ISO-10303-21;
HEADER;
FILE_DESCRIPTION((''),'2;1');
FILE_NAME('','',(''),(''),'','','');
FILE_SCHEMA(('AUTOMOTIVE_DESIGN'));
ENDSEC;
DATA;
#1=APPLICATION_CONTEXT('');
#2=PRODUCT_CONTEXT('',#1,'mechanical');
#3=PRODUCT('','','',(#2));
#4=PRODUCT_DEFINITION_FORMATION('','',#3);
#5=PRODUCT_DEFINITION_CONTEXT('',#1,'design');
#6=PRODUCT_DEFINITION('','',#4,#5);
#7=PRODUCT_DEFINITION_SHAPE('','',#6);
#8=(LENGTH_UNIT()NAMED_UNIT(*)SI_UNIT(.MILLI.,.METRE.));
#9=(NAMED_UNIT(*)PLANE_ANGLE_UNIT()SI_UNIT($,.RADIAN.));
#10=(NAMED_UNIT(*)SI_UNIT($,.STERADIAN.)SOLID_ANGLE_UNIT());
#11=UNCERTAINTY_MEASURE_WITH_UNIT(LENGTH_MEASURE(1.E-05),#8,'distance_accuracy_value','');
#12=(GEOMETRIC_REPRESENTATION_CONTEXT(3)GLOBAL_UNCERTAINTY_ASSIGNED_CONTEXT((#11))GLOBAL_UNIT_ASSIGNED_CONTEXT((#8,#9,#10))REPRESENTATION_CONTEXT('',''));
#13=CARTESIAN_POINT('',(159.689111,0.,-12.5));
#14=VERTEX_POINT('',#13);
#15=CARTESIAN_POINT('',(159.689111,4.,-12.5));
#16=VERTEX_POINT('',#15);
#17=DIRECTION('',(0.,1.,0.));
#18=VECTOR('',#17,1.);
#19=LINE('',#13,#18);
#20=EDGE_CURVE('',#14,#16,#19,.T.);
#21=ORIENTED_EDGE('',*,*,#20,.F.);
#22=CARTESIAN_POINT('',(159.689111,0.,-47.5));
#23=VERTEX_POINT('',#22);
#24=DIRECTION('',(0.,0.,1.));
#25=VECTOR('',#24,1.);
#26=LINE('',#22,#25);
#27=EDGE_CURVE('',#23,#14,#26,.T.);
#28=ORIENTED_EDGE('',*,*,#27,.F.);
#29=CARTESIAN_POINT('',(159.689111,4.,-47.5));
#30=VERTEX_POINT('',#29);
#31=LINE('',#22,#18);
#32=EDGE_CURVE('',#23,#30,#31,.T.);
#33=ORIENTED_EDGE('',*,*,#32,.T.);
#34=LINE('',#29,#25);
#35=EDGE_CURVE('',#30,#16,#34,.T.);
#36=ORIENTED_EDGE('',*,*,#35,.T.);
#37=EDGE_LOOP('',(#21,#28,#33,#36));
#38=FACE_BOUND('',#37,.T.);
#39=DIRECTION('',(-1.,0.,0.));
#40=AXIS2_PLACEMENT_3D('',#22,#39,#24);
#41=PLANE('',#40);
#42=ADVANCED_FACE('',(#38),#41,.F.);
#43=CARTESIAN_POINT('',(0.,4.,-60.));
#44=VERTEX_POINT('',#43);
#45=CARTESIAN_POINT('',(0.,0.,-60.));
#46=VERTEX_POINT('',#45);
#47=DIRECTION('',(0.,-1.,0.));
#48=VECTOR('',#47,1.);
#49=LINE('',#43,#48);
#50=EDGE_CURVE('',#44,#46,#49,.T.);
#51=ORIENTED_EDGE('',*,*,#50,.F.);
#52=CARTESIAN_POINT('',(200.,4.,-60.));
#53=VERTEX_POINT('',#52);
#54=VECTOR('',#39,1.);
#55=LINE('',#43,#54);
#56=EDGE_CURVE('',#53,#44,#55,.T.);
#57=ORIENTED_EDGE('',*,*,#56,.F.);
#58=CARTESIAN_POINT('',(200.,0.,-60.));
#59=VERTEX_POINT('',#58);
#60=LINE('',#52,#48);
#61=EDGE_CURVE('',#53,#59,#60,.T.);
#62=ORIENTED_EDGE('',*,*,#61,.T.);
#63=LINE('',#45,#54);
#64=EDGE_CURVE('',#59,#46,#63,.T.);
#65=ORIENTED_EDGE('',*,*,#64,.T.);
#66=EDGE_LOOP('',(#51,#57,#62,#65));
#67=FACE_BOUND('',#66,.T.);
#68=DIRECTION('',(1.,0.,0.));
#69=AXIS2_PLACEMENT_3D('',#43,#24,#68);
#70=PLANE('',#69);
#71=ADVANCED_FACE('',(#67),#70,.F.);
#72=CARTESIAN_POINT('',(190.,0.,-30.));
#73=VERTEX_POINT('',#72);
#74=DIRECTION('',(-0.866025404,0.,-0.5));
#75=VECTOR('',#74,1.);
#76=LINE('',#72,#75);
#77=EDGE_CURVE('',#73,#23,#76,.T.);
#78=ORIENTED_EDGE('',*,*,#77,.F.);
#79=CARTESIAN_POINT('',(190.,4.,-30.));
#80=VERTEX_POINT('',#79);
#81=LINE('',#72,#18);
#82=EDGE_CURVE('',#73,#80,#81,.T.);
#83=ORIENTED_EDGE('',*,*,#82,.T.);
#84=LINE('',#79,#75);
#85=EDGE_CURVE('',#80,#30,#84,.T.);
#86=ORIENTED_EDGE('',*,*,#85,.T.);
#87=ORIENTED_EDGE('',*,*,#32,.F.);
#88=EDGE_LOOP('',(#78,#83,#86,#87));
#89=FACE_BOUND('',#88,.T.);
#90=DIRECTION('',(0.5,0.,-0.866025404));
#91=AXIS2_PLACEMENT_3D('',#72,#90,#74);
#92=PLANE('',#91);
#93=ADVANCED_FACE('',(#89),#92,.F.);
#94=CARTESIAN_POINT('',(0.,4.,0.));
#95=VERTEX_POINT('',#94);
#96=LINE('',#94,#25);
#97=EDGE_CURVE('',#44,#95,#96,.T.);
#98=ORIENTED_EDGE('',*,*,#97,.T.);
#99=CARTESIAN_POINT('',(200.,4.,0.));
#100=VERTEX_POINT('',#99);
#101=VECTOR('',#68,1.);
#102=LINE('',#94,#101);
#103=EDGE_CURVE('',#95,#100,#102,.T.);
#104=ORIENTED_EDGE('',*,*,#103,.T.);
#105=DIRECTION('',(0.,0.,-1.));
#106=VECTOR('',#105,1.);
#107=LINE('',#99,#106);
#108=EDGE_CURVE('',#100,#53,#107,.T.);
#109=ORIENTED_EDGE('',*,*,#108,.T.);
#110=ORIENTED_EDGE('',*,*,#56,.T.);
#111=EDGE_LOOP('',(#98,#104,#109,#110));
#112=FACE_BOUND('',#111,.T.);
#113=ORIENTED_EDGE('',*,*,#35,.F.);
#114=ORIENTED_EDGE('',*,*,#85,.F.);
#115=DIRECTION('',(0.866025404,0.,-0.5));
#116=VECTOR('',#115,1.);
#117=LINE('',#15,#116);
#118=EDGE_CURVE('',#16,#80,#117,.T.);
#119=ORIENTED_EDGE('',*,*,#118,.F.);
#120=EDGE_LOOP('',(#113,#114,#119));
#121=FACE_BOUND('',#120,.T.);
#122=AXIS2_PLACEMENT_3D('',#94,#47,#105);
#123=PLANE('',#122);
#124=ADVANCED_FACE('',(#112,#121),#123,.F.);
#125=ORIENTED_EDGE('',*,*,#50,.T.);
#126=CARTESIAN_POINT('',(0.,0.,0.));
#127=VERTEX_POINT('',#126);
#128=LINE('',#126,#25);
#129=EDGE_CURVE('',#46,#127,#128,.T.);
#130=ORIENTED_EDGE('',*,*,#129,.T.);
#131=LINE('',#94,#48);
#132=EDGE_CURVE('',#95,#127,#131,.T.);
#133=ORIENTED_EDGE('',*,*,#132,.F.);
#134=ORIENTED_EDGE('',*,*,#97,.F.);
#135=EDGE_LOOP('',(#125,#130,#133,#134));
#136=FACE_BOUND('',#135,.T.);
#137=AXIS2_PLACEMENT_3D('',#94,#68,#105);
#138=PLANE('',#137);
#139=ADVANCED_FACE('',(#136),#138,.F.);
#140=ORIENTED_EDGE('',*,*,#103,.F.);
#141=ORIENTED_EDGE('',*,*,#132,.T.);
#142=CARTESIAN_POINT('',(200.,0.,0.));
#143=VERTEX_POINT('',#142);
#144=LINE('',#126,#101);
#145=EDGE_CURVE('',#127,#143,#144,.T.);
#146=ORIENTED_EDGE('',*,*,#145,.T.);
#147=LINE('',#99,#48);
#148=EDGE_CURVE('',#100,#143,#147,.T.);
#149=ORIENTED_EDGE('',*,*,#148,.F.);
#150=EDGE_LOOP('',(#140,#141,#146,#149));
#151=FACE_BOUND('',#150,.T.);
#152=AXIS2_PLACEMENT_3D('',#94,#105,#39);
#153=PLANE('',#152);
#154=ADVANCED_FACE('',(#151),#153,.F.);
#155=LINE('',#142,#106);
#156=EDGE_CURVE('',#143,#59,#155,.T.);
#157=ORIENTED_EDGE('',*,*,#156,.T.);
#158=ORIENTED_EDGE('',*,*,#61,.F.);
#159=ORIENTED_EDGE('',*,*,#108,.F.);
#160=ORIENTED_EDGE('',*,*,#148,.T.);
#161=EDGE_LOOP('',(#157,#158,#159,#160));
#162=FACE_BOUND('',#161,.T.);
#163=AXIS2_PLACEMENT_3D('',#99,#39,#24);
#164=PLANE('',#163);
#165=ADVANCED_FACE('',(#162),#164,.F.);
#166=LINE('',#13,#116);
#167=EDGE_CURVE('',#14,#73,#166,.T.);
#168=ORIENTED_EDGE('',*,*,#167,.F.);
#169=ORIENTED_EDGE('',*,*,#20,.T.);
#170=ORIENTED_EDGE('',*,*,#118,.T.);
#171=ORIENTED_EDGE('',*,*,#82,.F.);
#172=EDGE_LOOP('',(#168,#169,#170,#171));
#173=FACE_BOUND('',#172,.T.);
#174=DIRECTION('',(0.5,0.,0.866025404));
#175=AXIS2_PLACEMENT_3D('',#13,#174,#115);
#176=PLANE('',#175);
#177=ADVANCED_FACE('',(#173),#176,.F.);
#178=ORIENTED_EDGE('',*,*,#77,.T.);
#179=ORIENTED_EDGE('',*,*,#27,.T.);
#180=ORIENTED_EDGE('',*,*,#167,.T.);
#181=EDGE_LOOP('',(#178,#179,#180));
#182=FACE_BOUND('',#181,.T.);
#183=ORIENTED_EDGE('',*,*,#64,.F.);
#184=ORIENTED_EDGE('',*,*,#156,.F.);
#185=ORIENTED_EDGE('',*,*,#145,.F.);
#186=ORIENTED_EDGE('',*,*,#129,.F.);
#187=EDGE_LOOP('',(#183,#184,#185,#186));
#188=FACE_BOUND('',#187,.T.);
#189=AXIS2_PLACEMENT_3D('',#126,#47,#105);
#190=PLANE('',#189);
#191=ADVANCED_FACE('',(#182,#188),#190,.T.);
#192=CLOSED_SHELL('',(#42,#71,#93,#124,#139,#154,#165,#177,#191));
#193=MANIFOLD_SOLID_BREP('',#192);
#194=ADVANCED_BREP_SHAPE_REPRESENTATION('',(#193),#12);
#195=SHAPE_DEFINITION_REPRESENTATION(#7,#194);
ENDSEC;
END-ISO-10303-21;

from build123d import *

# Parameters (mm, degrees)
SKETCH1_W           = 200
SKETCH1_H           = 60
BOSS_EXTRUDE1_DEPTH = 4
CUT_EXTRUDE1_DEPTH  = 5


with BuildPart() as part:
    # Sketch1 → Boss-Extrude1 (new body)
    with BuildSketch(Plane(origin=(0, 0, 0), x_dir=(1, 0, 0), z_dir=(0, 1, 0))):
        with Locations((100, 30)):
            Rectangle(SKETCH1_W, SKETCH1_H)
    extrude(amount=BOSS_EXTRUDE1_DEPTH)

    # Sketch2 → Cut-Extrude1 (cut, through all)
    with BuildSketch(Plane(origin=(0, 4, 0), x_dir=(1, 0, 0), z_dir=(0, 1, 0))):
        Polygon((190, 30), (159.689110868, 47.5), (159.689110868, 12.5), align=None)
    extrude(amount=-CUT_EXTRUDE1_DEPTH, mode=Mode.SUBTRACT)


solid = part.part
